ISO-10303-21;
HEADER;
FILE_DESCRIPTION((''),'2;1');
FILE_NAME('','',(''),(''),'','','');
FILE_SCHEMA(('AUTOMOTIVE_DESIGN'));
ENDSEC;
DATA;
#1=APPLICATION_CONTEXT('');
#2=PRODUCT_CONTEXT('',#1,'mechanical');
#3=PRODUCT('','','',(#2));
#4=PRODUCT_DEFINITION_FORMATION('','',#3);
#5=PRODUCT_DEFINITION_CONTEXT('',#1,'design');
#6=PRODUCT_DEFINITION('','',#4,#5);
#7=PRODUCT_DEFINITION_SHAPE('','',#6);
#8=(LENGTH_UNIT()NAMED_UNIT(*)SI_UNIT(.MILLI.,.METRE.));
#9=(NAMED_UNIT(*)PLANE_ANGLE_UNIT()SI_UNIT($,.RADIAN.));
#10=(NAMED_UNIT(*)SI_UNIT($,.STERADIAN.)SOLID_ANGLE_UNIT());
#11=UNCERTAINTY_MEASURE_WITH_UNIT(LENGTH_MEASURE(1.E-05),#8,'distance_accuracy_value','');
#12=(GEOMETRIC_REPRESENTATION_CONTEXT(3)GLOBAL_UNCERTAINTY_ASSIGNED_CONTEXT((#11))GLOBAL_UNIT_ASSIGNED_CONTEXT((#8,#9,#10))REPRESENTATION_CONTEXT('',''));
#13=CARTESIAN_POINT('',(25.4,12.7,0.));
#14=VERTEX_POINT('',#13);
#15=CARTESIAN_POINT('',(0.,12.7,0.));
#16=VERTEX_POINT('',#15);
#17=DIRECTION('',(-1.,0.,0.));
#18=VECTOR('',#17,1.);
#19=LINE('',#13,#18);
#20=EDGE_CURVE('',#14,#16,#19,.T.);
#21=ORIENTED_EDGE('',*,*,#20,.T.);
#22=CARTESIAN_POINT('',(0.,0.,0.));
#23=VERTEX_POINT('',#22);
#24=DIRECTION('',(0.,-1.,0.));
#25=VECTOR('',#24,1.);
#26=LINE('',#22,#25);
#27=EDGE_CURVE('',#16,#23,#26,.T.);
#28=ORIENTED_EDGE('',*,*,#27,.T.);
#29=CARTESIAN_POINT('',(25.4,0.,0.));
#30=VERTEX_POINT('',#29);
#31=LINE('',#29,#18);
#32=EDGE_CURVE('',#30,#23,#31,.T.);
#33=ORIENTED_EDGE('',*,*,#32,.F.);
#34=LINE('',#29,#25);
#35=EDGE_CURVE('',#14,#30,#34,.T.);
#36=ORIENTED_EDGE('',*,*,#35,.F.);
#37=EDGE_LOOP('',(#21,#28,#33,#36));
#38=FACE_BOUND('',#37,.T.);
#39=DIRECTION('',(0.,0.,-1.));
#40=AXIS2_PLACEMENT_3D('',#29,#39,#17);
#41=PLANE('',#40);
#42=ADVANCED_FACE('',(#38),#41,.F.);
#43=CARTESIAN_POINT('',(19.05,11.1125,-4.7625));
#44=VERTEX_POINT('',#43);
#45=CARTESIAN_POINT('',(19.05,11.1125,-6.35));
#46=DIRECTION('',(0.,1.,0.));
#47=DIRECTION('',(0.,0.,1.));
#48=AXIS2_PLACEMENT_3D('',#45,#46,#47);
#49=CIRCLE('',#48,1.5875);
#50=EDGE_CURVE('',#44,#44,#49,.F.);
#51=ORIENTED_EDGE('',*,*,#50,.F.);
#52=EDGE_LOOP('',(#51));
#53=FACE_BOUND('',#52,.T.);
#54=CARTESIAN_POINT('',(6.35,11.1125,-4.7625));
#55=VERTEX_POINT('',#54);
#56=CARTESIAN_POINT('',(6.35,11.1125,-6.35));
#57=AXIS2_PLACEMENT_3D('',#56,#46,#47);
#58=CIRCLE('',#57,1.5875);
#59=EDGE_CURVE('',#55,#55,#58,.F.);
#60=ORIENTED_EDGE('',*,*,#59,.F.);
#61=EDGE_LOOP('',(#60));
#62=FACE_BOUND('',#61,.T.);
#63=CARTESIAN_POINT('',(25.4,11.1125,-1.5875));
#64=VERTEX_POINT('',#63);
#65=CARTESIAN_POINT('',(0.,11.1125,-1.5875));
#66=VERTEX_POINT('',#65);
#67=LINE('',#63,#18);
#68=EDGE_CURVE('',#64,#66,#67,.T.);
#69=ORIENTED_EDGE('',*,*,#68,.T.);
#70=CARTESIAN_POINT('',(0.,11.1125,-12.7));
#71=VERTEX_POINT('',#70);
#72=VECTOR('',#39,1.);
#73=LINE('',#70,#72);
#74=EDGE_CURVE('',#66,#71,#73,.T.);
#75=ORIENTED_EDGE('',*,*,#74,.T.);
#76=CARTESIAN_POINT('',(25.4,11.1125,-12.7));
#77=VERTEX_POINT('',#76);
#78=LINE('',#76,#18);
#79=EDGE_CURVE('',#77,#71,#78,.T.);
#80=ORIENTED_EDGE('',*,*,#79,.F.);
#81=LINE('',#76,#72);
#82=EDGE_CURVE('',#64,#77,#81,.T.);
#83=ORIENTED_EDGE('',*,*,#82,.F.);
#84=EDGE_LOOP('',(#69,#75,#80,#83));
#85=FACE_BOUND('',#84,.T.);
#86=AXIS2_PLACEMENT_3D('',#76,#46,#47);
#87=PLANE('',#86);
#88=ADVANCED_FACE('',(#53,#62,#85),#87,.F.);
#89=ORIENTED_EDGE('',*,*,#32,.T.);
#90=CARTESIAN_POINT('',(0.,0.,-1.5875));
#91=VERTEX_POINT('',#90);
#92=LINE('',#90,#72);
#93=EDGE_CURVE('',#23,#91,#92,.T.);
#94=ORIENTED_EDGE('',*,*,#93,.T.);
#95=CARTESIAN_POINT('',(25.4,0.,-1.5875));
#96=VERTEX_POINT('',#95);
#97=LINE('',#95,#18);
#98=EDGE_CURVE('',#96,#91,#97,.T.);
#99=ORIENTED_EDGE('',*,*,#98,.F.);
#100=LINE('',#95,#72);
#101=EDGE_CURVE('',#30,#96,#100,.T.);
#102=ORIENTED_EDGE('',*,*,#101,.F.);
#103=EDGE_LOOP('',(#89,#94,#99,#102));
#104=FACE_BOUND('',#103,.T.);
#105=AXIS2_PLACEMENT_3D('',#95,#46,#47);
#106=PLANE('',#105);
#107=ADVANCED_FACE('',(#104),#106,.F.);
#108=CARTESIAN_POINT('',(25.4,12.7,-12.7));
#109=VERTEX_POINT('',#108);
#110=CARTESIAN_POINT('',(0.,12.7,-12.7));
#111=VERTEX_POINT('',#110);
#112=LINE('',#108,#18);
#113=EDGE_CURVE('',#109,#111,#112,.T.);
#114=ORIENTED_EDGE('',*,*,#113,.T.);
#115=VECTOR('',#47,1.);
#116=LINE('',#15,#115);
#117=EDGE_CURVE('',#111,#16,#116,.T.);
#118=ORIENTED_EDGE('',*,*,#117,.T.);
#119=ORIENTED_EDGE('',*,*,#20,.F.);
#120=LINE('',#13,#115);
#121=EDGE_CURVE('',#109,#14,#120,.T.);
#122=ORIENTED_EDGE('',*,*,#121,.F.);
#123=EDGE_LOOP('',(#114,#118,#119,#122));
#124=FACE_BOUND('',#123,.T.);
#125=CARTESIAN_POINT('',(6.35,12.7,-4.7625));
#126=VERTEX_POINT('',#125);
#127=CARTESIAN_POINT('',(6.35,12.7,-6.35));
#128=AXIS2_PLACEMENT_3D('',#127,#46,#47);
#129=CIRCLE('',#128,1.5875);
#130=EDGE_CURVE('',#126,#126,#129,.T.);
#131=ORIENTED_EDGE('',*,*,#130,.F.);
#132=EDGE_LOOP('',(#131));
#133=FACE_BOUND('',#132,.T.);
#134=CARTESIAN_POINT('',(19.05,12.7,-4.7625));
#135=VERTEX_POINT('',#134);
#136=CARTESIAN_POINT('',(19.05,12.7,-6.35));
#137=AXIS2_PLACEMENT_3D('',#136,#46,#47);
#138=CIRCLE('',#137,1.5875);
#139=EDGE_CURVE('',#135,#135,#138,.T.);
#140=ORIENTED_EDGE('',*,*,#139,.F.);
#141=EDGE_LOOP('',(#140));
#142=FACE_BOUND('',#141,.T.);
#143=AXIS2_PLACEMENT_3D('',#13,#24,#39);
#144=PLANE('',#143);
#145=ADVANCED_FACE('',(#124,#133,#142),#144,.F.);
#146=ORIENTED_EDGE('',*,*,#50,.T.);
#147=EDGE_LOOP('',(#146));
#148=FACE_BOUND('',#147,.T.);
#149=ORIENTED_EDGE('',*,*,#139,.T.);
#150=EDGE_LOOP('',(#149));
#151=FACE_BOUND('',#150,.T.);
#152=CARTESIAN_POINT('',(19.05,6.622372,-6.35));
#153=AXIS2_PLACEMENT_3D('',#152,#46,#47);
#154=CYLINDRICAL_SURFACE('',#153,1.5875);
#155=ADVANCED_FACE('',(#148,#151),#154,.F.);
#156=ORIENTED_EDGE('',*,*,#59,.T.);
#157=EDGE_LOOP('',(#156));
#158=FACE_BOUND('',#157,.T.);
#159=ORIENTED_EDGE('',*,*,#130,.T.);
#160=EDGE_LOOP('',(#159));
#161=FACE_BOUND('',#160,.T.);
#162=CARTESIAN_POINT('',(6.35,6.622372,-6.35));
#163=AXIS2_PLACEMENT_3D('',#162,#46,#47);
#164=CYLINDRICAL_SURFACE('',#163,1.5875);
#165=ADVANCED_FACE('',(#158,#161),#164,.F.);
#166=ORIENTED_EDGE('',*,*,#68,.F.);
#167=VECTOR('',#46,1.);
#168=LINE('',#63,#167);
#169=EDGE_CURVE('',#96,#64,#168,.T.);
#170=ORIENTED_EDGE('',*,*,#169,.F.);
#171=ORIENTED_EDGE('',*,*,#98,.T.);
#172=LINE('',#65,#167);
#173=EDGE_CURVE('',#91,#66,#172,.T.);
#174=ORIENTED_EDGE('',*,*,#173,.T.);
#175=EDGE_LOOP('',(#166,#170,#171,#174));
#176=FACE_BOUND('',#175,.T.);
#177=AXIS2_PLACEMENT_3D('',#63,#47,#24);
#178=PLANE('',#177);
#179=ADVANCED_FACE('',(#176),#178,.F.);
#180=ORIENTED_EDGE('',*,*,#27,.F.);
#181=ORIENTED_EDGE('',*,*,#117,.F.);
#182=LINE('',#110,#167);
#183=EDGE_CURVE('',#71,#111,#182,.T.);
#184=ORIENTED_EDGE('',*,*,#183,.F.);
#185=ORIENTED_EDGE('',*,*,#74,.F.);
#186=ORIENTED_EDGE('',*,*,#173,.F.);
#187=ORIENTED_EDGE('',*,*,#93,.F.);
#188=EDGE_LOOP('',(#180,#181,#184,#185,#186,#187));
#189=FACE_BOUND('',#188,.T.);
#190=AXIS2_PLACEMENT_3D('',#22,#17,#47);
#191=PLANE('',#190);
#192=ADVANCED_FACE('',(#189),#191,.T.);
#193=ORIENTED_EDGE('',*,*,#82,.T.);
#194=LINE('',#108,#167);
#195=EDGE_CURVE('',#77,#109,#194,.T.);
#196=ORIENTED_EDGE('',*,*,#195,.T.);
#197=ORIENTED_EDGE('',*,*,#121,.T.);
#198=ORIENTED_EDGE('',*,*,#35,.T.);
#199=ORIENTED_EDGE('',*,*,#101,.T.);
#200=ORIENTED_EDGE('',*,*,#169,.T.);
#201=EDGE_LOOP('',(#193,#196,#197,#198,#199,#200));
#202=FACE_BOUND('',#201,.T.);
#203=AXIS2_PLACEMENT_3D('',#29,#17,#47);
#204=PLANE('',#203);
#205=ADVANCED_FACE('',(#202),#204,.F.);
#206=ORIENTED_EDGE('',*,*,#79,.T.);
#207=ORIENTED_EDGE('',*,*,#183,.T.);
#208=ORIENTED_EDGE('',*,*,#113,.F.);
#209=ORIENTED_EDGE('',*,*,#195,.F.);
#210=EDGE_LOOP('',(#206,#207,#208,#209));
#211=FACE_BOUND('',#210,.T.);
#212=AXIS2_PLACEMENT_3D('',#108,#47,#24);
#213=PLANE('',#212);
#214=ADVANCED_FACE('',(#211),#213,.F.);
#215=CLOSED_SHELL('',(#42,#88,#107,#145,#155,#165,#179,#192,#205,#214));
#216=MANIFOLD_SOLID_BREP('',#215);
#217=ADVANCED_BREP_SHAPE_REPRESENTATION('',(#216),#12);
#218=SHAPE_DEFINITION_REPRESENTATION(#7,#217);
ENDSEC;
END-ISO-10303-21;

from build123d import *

# Parameters (mm, degrees)
EXTRUDE1_DEPTH = 25.4
SKETCH2_R      = 1.5875
EXTRUDE2_DEPTH = 20.686644236


with BuildPart() as part:
    # Sketch1 → Extrude1 (new body)
    with BuildSketch(Plane(origin=(0, 0, 0), x_dir=(0, 0, -1), z_dir=(1, 0, 0))):
        Polygon((0, 0), (0, 12.7), (12.7, 12.7), (12.7, 11.1125), (1.5875, 11.1125), (1.5875, 0), align=None)
    extrude(amount=EXTRUDE1_DEPTH)

    # Sketch2 → Extrude2 (cut)
    with BuildSketch(Plane(origin=(0, 12.7, 0), x_dir=(1, 0, 0), z_dir=(0, 1, 0))):
        with Locations(Location((19.05, 6.35, 0), (0, 0, 270))):
            Circle(SKETCH2_R)
        with Locations(Location((6.35, 6.35, 0), (0, 0, 270))):
            Circle(SKETCH2_R)
    extrude(amount=-EXTRUDE2_DEPTH, mode=Mode.SUBTRACT)


solid = part.part
